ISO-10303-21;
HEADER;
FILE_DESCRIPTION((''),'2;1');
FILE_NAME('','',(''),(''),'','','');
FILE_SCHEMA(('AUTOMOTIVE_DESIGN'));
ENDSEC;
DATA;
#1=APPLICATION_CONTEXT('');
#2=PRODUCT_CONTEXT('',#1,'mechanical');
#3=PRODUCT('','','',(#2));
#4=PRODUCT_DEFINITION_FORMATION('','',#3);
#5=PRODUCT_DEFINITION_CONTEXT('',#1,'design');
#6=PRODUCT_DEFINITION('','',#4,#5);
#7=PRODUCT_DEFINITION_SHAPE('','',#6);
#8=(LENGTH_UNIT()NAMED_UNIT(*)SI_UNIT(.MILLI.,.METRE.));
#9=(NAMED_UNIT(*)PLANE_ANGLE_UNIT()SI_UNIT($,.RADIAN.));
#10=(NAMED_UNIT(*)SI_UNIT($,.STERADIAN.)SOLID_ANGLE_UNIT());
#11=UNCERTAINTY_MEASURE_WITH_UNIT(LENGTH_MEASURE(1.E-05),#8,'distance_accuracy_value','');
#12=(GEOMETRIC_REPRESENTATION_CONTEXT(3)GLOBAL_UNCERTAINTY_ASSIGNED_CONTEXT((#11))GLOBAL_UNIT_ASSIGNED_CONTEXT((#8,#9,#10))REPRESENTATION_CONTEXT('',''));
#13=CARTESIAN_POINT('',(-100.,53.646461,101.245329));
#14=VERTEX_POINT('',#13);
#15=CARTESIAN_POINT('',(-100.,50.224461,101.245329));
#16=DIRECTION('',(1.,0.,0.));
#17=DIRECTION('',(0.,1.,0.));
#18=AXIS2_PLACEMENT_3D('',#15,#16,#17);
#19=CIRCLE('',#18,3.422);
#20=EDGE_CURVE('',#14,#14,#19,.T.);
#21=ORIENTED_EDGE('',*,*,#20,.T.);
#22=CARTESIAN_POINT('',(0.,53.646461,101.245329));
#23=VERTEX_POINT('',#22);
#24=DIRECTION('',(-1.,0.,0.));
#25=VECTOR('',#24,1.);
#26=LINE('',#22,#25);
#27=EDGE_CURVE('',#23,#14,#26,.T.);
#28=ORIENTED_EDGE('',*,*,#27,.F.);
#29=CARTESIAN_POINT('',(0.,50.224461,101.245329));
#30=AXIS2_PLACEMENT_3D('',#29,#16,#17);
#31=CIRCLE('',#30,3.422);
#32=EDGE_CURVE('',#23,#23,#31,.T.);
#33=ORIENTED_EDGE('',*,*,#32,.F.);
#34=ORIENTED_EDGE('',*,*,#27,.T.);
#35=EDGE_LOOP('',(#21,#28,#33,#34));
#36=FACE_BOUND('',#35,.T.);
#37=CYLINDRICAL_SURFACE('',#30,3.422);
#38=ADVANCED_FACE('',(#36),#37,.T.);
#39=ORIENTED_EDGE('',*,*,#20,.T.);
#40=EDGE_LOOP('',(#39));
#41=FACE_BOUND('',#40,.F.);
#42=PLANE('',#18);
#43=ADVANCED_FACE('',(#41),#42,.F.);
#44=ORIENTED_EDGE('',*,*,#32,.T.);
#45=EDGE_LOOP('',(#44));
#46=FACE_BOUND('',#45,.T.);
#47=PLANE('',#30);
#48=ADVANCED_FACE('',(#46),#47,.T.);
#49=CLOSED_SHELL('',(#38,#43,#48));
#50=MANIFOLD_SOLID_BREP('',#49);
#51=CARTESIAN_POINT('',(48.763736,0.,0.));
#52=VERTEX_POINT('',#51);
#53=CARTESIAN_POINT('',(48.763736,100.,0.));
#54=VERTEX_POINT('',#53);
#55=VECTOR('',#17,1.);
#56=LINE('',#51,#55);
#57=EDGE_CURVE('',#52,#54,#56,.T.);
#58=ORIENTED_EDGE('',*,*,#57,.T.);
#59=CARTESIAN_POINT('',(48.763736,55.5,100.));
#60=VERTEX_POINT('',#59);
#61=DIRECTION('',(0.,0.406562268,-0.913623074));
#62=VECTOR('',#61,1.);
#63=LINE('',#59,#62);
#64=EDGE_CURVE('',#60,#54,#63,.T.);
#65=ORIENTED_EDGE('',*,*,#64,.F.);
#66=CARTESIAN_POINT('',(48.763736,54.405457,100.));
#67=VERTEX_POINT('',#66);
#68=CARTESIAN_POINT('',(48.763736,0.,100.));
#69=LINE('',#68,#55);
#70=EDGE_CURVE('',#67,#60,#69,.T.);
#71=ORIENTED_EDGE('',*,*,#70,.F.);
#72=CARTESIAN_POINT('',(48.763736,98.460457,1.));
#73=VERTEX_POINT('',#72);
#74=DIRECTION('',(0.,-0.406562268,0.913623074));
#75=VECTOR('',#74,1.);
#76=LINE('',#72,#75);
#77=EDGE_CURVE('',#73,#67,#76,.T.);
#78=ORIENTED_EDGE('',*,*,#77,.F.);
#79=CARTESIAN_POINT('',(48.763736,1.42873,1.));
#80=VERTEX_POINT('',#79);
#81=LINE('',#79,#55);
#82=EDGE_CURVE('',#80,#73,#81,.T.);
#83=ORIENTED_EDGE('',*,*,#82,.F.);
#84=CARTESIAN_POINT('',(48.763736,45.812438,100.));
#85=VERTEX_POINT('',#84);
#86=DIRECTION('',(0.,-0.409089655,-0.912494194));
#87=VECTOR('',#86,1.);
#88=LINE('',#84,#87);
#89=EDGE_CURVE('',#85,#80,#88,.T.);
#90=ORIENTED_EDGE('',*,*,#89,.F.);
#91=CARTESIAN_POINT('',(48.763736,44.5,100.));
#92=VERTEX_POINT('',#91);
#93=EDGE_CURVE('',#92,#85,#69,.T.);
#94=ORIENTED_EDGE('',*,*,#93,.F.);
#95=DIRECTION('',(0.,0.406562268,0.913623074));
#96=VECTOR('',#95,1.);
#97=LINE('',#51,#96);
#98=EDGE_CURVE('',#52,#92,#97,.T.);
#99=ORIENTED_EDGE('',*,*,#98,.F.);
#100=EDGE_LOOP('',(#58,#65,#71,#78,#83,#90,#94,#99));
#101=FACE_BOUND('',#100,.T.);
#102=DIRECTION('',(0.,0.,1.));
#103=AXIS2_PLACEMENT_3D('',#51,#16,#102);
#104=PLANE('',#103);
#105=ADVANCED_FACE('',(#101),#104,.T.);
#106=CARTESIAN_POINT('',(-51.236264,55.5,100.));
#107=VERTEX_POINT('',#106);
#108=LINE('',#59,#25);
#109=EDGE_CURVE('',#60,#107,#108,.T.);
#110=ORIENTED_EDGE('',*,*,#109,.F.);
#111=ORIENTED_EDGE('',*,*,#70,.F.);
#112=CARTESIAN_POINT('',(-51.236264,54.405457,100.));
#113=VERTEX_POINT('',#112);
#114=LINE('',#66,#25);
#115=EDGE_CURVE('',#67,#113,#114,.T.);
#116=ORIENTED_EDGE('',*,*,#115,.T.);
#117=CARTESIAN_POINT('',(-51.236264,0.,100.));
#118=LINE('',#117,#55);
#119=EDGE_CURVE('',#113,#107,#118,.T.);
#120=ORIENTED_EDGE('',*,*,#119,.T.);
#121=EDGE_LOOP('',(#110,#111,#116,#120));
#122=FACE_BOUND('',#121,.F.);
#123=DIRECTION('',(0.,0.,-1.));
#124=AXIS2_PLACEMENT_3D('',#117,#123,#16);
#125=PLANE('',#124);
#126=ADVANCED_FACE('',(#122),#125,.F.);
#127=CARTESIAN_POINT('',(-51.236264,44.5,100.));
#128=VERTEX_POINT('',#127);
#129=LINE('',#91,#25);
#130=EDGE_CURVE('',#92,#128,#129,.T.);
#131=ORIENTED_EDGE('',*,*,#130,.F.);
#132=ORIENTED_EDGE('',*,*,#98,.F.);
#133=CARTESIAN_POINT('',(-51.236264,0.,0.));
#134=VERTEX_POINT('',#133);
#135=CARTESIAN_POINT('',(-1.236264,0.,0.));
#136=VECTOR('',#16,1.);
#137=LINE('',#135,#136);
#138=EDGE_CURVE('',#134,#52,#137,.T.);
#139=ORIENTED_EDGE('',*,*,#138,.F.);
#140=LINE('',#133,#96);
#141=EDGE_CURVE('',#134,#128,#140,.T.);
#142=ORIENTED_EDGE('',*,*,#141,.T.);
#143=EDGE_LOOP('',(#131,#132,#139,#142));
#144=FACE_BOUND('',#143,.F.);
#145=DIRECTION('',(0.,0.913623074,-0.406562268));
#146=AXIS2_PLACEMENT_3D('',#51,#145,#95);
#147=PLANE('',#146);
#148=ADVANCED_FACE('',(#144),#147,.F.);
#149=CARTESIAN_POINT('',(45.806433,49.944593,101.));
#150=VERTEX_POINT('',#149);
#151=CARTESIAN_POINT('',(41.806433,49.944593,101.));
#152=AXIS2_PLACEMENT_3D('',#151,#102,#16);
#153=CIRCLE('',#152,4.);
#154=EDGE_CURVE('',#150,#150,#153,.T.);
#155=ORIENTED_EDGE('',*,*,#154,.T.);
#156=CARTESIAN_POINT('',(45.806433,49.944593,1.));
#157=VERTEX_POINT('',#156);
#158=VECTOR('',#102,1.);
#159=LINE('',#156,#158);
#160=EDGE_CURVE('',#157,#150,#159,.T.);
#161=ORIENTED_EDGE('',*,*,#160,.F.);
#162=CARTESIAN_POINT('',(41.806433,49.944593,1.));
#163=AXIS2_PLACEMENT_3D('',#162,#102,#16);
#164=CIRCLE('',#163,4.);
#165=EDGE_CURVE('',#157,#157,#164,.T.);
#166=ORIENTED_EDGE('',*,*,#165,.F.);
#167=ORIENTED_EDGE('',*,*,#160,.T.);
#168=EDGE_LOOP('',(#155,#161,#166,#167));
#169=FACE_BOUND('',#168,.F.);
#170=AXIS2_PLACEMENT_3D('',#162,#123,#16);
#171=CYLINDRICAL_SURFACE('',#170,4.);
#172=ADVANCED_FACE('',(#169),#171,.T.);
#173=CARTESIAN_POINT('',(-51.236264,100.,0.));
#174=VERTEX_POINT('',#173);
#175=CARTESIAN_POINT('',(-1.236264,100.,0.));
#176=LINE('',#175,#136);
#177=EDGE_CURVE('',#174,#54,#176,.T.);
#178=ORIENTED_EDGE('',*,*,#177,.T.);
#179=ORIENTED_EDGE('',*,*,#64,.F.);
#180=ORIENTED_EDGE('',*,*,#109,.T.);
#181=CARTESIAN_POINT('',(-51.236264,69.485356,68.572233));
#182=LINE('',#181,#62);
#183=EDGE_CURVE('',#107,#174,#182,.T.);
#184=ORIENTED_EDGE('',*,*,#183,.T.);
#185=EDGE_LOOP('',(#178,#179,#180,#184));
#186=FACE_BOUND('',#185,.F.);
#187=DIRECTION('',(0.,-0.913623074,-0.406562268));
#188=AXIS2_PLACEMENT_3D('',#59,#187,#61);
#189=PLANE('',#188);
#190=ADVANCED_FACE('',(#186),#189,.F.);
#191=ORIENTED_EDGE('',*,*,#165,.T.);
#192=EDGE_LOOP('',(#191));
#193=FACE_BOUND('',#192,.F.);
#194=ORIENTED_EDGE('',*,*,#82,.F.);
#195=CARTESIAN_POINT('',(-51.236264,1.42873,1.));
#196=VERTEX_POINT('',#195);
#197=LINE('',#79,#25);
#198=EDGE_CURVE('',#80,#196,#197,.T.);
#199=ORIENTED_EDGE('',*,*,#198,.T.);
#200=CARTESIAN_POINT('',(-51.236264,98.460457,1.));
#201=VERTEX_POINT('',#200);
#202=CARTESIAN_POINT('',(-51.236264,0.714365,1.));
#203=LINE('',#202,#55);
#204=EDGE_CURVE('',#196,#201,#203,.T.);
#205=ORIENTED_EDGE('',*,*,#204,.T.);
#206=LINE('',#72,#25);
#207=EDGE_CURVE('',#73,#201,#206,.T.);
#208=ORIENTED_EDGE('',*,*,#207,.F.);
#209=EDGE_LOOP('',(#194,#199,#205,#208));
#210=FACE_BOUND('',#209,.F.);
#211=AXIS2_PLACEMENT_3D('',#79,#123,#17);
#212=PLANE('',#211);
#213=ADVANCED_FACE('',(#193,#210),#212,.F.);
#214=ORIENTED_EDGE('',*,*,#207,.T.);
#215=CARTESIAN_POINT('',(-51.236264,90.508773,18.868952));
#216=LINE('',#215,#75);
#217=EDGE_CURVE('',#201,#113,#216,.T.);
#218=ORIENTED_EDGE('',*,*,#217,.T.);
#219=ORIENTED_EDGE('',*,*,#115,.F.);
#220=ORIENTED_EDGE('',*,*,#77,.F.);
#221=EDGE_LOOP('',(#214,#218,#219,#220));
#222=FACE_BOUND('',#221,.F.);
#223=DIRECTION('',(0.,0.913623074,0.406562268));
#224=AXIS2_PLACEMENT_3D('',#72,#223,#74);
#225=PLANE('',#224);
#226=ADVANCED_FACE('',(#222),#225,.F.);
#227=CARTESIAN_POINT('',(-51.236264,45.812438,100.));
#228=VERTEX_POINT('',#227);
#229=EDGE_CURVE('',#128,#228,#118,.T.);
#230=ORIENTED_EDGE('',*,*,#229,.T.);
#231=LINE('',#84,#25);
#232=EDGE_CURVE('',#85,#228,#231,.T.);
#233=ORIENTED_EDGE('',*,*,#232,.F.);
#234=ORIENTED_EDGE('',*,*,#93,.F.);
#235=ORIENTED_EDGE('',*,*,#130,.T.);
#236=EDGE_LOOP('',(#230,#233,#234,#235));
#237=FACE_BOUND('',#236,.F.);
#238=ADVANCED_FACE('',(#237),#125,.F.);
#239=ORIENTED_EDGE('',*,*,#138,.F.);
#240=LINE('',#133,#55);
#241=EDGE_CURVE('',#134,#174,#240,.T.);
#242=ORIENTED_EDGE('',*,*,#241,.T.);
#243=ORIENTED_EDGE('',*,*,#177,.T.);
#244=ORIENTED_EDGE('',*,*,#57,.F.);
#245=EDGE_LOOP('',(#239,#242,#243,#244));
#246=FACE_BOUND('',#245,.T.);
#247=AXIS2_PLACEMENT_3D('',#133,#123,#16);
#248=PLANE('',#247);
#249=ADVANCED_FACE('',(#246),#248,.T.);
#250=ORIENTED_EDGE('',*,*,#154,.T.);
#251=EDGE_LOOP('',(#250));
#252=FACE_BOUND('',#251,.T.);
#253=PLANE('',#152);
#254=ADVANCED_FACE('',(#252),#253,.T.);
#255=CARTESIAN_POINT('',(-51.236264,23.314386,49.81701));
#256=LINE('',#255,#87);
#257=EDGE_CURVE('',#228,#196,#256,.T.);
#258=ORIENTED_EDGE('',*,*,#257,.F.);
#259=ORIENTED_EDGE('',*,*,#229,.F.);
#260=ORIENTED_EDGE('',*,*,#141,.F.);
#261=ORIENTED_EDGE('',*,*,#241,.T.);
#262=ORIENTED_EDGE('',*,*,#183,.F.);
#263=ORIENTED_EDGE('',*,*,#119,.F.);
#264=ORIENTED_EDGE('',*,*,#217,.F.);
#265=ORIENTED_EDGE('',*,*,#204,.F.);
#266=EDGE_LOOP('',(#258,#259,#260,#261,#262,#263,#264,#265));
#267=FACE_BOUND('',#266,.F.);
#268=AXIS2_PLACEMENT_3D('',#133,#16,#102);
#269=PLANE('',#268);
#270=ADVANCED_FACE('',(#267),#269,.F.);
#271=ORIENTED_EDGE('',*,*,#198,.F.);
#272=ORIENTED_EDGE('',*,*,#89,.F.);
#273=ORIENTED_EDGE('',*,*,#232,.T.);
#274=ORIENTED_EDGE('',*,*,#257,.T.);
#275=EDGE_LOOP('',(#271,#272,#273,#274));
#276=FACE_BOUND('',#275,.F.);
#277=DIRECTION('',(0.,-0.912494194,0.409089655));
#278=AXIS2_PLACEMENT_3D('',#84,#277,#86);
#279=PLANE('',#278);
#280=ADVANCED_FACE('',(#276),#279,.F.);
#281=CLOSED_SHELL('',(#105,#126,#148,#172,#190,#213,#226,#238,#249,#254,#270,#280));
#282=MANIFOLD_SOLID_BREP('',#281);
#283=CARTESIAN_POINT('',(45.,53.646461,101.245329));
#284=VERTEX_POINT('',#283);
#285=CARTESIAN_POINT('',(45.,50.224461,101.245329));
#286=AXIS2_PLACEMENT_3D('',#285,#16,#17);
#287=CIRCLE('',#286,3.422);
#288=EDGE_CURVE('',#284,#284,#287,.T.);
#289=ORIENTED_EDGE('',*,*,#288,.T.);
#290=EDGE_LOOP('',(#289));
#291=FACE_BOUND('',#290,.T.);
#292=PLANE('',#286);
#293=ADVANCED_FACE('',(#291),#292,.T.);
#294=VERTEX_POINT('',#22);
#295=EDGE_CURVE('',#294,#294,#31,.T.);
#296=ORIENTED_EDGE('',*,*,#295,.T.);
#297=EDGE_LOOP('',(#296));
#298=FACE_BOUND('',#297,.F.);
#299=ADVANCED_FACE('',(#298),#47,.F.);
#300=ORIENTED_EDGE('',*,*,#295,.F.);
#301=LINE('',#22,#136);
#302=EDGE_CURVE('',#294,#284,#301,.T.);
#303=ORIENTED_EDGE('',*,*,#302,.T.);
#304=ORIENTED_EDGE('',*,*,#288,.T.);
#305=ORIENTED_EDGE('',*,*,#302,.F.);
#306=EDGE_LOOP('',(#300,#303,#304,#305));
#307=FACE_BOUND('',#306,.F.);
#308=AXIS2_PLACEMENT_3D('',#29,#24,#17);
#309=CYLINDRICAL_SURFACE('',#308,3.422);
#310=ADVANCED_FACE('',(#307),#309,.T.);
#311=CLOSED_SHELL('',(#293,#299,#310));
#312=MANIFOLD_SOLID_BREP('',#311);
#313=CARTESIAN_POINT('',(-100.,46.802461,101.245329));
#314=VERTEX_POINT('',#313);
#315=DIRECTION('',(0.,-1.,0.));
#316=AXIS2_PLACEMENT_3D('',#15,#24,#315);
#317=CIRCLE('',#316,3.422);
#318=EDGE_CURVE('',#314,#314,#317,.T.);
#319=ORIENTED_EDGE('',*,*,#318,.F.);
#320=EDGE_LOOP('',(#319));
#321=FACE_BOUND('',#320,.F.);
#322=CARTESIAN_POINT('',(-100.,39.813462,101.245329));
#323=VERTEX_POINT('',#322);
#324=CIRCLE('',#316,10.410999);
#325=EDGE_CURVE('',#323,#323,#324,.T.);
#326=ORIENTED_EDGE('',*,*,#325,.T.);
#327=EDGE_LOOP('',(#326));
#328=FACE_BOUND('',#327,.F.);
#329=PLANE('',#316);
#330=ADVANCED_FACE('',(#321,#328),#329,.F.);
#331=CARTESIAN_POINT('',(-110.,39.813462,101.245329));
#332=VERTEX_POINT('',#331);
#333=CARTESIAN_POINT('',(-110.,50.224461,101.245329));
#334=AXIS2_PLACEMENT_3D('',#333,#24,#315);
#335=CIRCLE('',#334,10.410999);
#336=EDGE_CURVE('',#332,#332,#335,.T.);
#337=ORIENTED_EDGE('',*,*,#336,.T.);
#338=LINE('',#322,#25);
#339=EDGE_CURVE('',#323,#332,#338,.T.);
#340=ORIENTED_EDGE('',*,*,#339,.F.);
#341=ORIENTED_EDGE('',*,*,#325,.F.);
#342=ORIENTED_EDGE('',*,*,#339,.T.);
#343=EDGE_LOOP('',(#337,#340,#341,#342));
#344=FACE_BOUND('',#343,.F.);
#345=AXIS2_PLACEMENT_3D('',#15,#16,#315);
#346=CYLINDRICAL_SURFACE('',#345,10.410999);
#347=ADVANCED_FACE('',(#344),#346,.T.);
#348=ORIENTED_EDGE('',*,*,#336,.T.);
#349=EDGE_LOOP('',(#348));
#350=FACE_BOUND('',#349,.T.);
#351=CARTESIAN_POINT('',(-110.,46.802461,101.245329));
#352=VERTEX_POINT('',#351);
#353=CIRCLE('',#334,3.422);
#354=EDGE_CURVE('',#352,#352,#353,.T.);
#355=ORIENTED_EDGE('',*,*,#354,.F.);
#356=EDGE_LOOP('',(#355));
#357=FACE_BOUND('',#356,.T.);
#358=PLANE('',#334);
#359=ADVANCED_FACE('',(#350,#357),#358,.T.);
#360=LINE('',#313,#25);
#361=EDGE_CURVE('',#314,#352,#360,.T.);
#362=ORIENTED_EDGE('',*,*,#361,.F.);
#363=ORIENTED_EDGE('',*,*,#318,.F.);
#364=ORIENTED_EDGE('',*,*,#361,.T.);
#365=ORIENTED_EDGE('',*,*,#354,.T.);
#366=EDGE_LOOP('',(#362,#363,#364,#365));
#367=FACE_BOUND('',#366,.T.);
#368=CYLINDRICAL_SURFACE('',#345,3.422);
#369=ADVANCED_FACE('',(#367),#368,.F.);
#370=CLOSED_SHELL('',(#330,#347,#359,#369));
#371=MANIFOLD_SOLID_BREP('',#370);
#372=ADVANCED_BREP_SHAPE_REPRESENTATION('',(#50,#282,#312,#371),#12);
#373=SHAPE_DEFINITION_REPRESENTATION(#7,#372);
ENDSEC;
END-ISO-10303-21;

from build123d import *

# Parameters (mm, degrees)
F0_W      = 100
F0_H      = 100
F1_DEPTH  = 100
F3_DEPTH  = 100.001
F5_DEPTH  = 100.001
F6_R      = 4
F7_DEPTH  = 100
F8_R      = 3.422
F9_DEPTH  = 100
F9_FACE_R = 3.422
F10_DEPTH = 45
F11_R     = 10.410999
F11_R_2   = 3.422
F12_DEPTH = 10


with BuildPart() as f1:
    # F0 (on Front) → F1 (new body)
    with BuildSketch(Plane.XZ):
        with Locations((-1.236264, 50)):
            Rectangle(F0_W, F0_H)
    extrude(amount=-F1_DEPTH)

    # F2 (on face) → F3 (cut, through all)
    with BuildSketch(Plane.YZ.offset(48.763736)):
        Polygon((0, 100), (0, 0), (44.5, 100), align=None)
        Polygon((55.5, 100), (100, 0), (100, 100), align=None)
    extrude(amount=-F3_DEPTH, mode=Mode.SUBTRACT)

    # F4 (on face) → F5 (cut, through all)
    with BuildSketch(Plane.YZ.offset(48.763736)):
        Polygon((1.42873, 1), (4.827431, 1), (98.460457, 1), (54.405457, 100), (45.812438, 100), align=None)
    extrude(amount=-F5_DEPTH, mode=Mode.SUBTRACT)

    # F6 (on face) → F7 (join)
    with BuildSketch(Plane.XY.offset(1)):
        with Locations((41.806433, 49.944593)):
            Circle(F6_R)
    extrude(amount=F7_DEPTH)


with BuildPart() as f9:
    # F8 (on Right) → F9 (new body)
    with BuildSketch(Plane.YZ):
        with Locations((50.224461, 101.245329)):
            Circle(F8_R)
    extrude(amount=-F9_DEPTH)


with BuildPart() as f10:
    # F9_face (on face) → F10 (new body)
    with BuildSketch(Plane(origin=(0, 50.224461, 101.245329), x_dir=(0, 1, 0), z_dir=(1, 0, 0))):
        Circle(F9_FACE_R)
    extrude(amount=F10_DEPTH)


with BuildPart() as f12:
    # F11 (on face) → F12 (new body)
    with BuildSketch(Plane(origin=(-100, 0, 0), x_dir=(0, -1, 0), z_dir=(-1, 0, 0))):
        with Locations((-50.224461, 101.245329)):
            Circle(F11_R)
        with Locations((-50.224461, 101.245329)):
            Circle(F11_R_2, mode=Mode.SUBTRACT)
    extrude(amount=F12_DEPTH)


solid = Compound([f1.part, f9.part, f10.part, f12.part])
